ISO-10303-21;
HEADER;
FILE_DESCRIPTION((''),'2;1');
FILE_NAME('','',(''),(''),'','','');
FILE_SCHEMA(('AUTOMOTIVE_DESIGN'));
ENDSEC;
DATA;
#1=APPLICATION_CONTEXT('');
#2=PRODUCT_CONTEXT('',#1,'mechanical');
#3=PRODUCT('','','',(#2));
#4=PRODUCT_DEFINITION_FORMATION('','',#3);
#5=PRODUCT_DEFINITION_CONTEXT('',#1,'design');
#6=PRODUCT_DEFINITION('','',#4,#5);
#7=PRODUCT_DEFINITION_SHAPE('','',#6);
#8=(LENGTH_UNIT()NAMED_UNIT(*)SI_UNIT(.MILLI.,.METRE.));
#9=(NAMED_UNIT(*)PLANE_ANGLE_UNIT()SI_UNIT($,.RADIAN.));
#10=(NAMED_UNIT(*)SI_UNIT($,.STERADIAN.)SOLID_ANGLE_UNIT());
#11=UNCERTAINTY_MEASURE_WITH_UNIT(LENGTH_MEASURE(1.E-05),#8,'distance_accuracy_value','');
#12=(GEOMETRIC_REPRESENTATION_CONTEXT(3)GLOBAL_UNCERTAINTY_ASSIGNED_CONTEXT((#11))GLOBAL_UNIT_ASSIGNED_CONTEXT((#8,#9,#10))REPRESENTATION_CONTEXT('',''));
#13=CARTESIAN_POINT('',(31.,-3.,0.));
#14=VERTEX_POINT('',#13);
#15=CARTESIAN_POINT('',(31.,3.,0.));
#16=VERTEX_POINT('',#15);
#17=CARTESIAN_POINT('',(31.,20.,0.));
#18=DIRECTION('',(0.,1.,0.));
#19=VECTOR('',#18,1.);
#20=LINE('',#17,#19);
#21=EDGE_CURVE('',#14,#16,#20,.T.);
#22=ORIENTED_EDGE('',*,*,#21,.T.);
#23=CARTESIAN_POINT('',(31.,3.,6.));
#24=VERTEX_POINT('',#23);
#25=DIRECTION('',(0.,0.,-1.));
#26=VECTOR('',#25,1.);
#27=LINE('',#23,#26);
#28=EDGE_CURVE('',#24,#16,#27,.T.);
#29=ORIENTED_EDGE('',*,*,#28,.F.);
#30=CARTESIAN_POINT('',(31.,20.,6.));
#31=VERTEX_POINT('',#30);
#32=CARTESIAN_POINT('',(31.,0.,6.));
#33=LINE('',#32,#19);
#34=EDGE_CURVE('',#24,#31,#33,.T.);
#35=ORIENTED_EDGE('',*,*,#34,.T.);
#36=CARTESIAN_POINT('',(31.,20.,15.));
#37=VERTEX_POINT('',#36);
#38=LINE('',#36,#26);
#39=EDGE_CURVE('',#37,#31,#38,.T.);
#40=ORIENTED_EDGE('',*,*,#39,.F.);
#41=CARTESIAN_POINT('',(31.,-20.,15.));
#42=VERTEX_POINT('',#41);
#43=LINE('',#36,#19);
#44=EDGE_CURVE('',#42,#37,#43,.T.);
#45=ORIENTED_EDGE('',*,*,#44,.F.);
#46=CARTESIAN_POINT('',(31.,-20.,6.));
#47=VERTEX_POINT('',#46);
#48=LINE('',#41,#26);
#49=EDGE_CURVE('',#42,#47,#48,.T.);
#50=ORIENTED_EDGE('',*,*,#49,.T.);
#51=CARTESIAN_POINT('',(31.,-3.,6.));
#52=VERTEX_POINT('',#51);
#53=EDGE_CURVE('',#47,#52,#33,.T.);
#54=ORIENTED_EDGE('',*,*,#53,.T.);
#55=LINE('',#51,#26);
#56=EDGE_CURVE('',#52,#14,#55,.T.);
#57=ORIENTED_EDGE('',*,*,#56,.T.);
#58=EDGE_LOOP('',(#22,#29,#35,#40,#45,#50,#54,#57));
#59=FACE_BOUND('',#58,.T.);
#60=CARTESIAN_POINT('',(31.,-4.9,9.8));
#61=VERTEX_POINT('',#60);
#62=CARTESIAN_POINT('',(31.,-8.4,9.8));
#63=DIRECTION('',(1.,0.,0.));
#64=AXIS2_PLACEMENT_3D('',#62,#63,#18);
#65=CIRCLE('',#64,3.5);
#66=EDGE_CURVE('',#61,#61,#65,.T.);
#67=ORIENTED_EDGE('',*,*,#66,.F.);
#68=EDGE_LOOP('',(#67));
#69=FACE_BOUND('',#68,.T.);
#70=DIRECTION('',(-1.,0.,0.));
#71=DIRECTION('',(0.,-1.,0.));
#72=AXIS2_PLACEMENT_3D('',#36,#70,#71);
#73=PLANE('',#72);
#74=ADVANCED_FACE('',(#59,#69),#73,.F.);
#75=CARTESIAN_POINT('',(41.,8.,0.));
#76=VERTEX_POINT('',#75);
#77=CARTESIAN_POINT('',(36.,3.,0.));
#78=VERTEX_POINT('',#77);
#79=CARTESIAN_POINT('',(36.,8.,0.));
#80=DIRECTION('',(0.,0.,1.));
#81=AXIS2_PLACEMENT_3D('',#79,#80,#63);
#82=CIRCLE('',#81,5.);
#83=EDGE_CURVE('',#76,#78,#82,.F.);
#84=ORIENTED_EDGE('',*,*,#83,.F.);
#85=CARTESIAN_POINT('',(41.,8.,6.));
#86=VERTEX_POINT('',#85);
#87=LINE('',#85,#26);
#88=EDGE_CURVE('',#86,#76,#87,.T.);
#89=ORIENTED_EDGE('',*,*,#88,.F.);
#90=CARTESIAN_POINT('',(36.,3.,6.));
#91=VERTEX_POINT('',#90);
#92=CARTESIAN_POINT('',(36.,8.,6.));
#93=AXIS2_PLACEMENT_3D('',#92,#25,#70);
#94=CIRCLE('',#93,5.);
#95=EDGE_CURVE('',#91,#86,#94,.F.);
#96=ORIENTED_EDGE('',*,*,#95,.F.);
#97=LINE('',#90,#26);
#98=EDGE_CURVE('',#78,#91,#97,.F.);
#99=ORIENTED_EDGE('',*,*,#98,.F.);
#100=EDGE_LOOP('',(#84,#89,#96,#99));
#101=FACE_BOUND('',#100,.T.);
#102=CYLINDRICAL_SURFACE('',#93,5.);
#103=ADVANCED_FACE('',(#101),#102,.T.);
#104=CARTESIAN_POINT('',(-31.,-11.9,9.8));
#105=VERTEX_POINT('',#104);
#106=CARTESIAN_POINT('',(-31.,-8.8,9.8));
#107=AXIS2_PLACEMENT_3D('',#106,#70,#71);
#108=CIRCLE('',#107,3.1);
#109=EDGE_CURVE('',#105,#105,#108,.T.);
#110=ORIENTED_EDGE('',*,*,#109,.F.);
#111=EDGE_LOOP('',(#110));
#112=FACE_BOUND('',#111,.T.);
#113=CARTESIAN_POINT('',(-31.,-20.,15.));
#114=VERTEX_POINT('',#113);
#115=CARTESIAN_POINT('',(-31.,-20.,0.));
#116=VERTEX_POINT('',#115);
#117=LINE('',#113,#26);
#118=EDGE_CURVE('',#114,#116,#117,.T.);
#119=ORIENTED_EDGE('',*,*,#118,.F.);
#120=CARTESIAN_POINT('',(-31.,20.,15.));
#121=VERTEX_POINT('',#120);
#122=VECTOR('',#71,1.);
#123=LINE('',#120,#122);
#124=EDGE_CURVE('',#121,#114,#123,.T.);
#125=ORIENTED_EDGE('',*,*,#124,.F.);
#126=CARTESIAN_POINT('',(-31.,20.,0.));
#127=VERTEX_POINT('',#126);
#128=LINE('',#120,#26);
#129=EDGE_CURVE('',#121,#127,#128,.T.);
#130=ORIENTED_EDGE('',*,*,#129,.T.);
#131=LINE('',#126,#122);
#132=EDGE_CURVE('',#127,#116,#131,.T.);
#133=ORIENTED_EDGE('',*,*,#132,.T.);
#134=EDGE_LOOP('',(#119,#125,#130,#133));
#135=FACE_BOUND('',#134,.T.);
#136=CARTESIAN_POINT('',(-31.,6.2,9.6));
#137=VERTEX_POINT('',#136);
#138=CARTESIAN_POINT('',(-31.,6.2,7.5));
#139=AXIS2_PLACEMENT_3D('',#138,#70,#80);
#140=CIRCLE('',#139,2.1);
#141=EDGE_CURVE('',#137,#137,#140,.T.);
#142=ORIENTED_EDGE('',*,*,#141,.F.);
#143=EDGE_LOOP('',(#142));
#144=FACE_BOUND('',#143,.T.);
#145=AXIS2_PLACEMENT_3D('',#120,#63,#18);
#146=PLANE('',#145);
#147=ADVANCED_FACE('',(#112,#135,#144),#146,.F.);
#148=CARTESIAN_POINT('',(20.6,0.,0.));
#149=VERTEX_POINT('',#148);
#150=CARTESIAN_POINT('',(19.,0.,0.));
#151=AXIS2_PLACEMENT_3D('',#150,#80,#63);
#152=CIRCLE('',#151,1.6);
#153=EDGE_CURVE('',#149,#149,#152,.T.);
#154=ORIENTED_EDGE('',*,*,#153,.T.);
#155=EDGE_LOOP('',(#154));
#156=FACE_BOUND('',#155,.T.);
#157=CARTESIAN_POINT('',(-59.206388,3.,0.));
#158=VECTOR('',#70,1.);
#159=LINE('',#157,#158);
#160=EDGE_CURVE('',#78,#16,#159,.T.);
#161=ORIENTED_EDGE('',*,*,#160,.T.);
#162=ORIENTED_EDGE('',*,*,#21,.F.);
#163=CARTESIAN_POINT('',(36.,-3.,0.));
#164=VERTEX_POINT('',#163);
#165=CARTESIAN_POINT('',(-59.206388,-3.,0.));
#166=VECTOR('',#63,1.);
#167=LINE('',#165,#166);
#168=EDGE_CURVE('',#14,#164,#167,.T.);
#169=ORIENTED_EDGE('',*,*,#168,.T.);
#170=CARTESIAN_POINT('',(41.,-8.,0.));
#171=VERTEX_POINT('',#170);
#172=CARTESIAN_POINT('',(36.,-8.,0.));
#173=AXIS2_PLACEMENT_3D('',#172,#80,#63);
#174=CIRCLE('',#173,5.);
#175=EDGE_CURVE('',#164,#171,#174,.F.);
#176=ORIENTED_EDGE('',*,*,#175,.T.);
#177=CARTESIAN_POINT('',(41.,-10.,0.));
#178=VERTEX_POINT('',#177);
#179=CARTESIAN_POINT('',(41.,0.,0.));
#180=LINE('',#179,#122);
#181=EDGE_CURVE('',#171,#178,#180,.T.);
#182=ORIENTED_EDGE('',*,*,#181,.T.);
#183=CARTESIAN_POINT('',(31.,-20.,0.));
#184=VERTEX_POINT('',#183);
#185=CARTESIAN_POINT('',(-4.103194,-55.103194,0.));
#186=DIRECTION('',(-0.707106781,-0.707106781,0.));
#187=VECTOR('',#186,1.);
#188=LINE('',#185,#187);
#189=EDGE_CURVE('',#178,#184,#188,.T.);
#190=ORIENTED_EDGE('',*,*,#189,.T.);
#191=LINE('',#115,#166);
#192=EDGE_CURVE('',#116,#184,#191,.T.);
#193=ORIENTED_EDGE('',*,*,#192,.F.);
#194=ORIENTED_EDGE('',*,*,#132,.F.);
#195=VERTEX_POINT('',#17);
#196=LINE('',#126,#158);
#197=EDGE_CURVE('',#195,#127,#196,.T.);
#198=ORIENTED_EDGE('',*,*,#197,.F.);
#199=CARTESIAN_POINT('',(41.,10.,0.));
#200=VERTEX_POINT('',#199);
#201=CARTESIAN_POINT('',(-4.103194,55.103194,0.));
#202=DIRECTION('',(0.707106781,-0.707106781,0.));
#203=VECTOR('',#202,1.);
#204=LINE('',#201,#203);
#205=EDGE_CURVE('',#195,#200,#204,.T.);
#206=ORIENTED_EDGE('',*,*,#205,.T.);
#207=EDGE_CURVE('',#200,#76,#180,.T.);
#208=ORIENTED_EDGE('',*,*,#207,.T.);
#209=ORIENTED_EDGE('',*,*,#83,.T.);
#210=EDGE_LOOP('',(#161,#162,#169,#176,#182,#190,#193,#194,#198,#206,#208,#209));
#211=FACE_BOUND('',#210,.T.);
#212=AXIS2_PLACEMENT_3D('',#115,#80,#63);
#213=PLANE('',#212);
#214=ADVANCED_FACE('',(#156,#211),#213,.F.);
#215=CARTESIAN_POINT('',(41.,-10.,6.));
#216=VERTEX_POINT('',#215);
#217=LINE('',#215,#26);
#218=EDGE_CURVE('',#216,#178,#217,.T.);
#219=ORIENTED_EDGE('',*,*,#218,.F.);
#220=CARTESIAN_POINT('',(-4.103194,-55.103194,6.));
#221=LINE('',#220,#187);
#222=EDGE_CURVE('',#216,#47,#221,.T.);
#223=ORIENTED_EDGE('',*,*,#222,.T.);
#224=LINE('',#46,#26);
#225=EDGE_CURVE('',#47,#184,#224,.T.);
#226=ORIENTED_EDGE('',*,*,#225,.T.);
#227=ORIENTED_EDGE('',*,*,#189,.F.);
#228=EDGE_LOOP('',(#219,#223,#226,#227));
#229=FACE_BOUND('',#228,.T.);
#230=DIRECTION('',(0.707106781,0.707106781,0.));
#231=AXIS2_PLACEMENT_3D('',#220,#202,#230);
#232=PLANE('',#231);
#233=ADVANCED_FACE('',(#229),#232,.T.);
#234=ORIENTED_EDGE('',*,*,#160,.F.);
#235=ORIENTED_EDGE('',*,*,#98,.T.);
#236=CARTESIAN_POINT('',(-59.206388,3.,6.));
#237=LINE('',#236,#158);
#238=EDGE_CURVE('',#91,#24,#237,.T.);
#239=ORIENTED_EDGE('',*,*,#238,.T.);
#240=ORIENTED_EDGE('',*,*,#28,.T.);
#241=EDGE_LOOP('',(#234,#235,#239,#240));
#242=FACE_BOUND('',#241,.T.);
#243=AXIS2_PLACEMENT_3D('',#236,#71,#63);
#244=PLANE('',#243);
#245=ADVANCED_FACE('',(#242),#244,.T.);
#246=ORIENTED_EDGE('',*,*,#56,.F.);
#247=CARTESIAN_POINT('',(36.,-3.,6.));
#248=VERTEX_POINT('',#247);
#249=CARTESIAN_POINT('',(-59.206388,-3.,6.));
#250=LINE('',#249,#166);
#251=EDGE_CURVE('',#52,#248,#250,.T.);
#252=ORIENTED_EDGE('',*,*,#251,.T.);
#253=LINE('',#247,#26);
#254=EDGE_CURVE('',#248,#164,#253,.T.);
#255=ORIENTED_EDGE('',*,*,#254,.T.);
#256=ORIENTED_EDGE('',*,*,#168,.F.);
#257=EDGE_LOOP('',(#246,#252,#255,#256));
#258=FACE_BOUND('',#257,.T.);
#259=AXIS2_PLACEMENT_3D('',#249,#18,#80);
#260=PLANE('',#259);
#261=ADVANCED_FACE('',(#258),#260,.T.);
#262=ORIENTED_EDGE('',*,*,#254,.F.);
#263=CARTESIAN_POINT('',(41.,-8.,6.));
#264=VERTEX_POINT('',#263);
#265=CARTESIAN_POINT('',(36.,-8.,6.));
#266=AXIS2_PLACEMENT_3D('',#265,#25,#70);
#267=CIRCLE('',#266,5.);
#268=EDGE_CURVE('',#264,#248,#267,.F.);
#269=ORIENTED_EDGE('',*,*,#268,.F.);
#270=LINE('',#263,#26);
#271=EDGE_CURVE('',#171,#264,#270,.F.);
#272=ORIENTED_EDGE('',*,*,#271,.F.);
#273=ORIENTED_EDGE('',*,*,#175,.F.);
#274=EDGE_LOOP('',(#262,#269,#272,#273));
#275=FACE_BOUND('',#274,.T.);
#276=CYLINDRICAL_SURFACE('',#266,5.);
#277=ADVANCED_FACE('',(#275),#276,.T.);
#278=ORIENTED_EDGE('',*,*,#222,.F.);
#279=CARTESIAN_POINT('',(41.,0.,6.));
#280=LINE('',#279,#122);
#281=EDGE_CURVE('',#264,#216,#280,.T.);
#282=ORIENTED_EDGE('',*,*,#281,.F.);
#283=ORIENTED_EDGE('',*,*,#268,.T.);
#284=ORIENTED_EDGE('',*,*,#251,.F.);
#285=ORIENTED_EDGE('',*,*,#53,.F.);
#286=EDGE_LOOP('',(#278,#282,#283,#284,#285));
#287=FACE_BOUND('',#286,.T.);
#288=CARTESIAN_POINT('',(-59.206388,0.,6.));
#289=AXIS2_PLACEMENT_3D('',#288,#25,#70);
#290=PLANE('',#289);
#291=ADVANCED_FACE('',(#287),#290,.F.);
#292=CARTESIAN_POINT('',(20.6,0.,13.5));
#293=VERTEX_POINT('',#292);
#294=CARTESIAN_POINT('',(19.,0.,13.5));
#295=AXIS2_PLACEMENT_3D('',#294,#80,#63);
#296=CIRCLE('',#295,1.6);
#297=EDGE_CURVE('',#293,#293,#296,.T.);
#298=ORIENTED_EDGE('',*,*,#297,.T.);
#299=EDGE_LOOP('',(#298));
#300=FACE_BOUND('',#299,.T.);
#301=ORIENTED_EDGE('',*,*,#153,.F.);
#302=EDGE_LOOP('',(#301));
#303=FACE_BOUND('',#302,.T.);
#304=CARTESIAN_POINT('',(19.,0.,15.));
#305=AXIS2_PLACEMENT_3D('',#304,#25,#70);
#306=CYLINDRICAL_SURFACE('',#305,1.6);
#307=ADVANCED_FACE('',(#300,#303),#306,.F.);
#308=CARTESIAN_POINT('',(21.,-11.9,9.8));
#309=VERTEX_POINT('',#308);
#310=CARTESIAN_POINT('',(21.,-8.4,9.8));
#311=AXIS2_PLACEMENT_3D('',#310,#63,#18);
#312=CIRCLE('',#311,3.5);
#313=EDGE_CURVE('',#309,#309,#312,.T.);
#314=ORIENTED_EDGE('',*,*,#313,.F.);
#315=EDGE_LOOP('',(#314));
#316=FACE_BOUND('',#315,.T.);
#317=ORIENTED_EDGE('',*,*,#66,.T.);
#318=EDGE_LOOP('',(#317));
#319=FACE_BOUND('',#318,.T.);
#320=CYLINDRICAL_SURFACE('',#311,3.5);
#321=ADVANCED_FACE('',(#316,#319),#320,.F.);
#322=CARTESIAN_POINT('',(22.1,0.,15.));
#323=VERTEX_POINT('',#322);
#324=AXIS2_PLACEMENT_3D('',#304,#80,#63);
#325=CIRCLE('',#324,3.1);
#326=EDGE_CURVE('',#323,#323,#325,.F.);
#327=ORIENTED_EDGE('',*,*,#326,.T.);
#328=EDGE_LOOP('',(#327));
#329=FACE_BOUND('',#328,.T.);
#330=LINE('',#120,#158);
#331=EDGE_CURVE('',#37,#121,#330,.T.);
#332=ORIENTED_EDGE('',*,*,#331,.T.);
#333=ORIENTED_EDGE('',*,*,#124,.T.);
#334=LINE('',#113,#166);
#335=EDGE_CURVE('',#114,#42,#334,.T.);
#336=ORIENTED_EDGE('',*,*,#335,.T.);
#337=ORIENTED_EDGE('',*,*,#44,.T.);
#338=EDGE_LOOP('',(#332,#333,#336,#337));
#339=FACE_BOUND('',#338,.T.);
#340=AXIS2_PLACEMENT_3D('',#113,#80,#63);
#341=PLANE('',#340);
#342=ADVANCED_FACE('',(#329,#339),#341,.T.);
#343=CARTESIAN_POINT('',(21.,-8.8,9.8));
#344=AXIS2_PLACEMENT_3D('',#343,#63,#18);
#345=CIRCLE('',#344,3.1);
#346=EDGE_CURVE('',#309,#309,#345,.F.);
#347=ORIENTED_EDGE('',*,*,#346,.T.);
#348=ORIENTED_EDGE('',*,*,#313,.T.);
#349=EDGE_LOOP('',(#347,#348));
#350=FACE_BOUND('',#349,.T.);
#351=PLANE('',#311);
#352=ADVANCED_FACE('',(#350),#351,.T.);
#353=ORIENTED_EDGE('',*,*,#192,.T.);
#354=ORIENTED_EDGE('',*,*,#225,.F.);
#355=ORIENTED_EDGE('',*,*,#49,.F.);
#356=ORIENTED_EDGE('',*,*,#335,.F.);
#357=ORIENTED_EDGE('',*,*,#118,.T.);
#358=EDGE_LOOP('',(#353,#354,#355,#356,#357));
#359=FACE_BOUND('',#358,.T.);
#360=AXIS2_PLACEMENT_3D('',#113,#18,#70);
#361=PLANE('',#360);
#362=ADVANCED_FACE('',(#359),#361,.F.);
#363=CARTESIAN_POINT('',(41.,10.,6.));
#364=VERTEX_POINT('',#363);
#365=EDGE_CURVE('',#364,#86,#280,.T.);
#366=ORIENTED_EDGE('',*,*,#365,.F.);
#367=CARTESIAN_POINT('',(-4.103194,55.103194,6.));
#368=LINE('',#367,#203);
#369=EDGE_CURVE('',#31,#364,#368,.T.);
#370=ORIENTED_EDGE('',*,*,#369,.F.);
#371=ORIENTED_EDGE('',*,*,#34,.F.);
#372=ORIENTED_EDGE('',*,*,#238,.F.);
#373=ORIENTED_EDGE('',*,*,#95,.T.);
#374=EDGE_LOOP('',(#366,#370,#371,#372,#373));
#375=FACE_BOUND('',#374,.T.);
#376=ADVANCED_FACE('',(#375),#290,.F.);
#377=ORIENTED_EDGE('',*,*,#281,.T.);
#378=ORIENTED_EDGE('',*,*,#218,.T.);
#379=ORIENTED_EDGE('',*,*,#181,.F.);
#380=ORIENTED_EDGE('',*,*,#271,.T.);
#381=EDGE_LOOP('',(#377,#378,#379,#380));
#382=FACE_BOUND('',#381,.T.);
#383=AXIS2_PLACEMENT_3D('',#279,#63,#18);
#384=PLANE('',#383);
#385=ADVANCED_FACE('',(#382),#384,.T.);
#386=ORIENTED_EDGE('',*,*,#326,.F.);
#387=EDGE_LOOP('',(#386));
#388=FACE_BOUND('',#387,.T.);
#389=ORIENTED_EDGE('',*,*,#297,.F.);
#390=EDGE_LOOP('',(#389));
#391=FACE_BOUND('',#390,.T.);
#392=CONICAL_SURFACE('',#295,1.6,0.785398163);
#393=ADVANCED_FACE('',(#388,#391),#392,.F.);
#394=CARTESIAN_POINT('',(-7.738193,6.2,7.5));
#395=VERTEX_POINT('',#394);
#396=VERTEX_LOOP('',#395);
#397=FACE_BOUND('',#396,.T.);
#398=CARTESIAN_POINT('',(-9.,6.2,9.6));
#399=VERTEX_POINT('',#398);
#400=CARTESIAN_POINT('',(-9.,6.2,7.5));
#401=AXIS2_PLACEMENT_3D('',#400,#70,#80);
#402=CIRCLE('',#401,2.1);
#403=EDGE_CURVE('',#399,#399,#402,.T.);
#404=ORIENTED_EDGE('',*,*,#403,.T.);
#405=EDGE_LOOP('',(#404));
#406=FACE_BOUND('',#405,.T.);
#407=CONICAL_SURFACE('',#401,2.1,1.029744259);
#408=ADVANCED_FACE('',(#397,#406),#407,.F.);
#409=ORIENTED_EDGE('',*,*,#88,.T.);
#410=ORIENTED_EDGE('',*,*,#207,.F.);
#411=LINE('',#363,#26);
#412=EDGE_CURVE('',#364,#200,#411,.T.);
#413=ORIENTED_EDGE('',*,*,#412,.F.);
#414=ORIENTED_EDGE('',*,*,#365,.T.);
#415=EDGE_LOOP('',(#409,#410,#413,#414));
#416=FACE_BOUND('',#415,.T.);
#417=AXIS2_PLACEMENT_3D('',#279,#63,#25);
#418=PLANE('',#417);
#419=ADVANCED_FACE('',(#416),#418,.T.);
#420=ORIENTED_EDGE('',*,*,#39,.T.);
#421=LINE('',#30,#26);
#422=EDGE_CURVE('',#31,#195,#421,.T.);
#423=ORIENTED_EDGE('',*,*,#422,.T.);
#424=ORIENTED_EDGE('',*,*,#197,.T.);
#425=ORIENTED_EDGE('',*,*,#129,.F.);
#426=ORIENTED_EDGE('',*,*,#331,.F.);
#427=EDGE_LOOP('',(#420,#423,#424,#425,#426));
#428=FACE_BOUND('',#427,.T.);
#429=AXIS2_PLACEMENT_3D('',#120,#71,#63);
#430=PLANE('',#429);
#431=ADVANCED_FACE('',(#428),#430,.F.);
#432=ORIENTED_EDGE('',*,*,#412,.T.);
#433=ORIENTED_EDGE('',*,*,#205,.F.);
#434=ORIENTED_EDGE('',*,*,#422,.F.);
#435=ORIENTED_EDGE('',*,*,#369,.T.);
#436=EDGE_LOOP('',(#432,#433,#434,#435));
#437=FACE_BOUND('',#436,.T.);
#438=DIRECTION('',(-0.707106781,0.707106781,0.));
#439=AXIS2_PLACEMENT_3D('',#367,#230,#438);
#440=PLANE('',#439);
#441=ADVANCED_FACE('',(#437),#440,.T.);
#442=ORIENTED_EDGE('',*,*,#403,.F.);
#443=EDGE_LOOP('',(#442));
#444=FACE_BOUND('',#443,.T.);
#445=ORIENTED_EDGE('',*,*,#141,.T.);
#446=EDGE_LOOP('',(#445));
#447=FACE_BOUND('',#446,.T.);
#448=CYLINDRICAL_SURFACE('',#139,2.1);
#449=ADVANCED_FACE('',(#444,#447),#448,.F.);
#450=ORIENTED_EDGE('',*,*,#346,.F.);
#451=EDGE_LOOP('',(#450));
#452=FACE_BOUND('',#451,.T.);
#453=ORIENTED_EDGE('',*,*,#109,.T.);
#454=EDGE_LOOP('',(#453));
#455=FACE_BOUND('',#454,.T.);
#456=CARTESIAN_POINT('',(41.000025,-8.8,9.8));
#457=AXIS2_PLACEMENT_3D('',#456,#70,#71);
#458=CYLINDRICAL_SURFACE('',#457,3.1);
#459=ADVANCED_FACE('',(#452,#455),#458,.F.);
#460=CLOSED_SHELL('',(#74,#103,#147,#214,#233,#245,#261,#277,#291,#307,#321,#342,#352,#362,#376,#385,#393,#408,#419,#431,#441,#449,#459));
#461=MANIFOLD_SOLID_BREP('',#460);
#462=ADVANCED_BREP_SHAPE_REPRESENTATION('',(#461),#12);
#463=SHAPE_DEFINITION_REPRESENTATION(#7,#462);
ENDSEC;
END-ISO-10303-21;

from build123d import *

# Parameters (mm, degrees)
ESQUISSE1_W               = 62
ESQUISSE1_H               = 40
ESQUISSE1_R               = 1.6
EXTRUSION1_DEPTH          = 15
EXTRUSION2_DEPTH          = 6
CONG_1_R                  = 5
CHANFREIN1_SIZE           = 1.5
ESQUISSE3_R               = 3.1
ENL_V_MAT_EXTRU_1_DEPTH   = 73
ESQUISSE4_R               = 3.5
ENL_V_MAT_EXTRU_2_DEPTH   = 10
TROU_TARAUD_M5X0_81_D     = 4.2
TROU_TARAUD_M5X0_81_DEPTH = 22
TROU_TARAUD_M5X0_81_TIP   = 1.2618073


with BuildPart() as part:
    # Esquisse1 → Extrusion1 (new body)
    with BuildSketch(Plane.XY):
        Rectangle(ESQUISSE1_W, ESQUISSE1_H)
        with Locations((19, 0)):
            Circle(ESQUISSE1_R, mode=Mode.SUBTRACT)
    extrude(amount=EXTRUSION1_DEPTH)

    # Esquisse2 → Extrusion2 (add)
    with BuildSketch(Plane(origin=(0, 0, 0), x_dir=(-1, 0, 0), z_dir=(0, 0, -1))):
        Polygon((-31, 3), (-31, 20), (-41, 10), (-41, 3), align=None)
        Polygon((-31, -20), (-31, -3), (-41, -3), (-41, -10), align=None)
    extrude(amount=-EXTRUSION2_DEPTH)

    # Congé1
    cong_1_edges = [part.edges().sort_by_distance(p)[0] for p in [
        (41, -3, 3),
        (41, 3, 3),
    ]]
    fillet(cong_1_edges, radius=CONG_1_R)

    # Chanfrein1
    chanfrein1_edges = [part.edges().sort_by_distance(p)[0] for p in [
        (17.4, 0, 15),
    ]]
    chamfer(chanfrein1_edges, length=CHANFREIN1_SIZE)

    # Esquisse3 → Enlèv. mat.-Extru.1 (cut, through all)
    with BuildSketch(Plane.ZY.offset(31)):
        with Locations(Location((9.8, -8.8, 0), (0, 0, 270))):  # turned: the seam where the file's is
            Circle(ESQUISSE3_R)
    extrude(amount=-ENL_V_MAT_EXTRU_1_DEPTH, mode=Mode.SUBTRACT)

    # Esquisse4 → Enlèv. mat.-Extru.2 (cut)
    with BuildSketch(Plane(origin=(31, 0, 0), x_dir=(0, 0, -1), z_dir=(1, 0, 0))):
        with Locations(Location((-9.8, -8.4, 0), (0, 0, 90))):  # turned: the seam where the file's is
            Circle(ESQUISSE4_R)
    extrude(amount=-ENL_V_MAT_EXTRU_2_DEPTH, mode=Mode.SUBTRACT)

    # Trou taraudé M5x0.81
    with Locations(Plane(origin=(-31, 6.2, 7.5), x_dir=(0, -1, 0), z_dir=(-1, 0, 0))):
        with Locations((0, 0)):
            Hole(TROU_TARAUD_M5X0_81_D / 2, depth=TROU_TARAUD_M5X0_81_DEPTH)
            with Locations((0, 0, -(TROU_TARAUD_M5X0_81_DEPTH + TROU_TARAUD_M5X0_81_TIP / 2))):  # 118° drill point
                Cone(0, TROU_TARAUD_M5X0_81_D / 2, TROU_TARAUD_M5X0_81_TIP, mode=Mode.SUBTRACT)


solid = part.part
